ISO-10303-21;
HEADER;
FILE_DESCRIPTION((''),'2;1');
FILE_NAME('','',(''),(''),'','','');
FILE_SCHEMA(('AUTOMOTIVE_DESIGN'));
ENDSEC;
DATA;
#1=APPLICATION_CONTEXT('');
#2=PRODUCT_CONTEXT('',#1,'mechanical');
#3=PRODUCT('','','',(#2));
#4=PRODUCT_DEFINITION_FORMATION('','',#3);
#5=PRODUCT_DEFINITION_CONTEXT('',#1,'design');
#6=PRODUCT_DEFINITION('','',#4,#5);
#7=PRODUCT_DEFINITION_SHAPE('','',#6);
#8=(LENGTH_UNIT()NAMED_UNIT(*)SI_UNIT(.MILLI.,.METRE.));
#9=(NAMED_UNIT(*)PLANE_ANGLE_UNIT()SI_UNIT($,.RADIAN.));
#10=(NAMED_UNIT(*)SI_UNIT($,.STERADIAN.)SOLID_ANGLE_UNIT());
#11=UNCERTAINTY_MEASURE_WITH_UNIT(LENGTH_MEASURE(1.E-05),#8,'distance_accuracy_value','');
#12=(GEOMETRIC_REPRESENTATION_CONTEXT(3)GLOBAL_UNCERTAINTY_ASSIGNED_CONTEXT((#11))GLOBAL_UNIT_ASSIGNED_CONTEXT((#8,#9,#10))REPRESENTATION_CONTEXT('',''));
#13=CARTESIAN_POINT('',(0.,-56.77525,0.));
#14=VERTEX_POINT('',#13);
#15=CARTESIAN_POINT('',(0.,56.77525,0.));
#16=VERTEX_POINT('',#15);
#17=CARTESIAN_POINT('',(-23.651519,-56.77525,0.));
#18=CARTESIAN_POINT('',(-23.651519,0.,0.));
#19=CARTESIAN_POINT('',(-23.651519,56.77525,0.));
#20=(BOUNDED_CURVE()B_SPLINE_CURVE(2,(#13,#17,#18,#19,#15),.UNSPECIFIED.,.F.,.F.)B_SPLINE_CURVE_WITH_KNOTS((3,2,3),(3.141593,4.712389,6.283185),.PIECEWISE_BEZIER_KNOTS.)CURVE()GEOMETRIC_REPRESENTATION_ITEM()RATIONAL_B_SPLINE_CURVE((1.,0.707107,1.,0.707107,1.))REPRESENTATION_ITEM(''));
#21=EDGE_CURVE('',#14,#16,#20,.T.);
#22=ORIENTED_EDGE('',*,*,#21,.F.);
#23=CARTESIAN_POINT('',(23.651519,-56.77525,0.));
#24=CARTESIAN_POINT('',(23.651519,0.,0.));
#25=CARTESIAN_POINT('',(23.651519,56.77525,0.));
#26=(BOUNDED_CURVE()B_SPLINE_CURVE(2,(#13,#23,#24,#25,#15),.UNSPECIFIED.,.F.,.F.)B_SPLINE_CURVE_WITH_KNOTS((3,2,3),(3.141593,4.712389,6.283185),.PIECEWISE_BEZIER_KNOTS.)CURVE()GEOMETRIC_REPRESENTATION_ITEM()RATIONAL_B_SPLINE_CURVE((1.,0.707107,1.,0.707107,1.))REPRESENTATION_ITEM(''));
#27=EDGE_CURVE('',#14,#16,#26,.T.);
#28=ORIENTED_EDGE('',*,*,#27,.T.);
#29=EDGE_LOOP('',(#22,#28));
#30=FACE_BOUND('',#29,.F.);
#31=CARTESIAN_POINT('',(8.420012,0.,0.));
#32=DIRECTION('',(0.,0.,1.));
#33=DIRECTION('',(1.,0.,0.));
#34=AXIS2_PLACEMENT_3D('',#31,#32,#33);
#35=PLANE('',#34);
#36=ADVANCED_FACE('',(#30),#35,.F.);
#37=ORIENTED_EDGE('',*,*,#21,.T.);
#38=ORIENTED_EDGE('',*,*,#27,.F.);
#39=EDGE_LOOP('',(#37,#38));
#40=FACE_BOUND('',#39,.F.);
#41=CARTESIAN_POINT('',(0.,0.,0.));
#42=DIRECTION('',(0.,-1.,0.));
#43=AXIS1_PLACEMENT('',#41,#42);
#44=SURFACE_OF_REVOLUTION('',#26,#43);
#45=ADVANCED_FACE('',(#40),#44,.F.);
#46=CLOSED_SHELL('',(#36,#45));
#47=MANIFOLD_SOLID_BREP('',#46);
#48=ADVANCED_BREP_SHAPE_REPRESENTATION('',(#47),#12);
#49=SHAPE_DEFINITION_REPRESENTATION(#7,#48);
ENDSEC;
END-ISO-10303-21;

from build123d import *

# Parameters (mm, degrees)
F1_ANGLE = -180


with BuildPart() as f1:
    # F0 (on Top) → F1 (revolve)
    with BuildSketch(Plane.XY):
        with BuildLine():
            add(Edge.make_bspline(
                [(0, -56.77525), (23.651519, -56.77525), (23.651519, 0), (23.651519, 56.77525), (0, 56.77525)],
                knots=[3.141593, 3.141593, 3.141593, 4.712389, 4.712389, 6.283185, 6.283185, 6.283185], degree=2, weights=[1, 0.707107, 1, 0.707107, 1]))
            Line((0, 56.77525), (0, -56.77525))
        make_face()
    revolve(axis=Axis((0, 0, 0), (0, 1, 0)), revolution_arc=F1_ANGLE)


solid = f1.part
